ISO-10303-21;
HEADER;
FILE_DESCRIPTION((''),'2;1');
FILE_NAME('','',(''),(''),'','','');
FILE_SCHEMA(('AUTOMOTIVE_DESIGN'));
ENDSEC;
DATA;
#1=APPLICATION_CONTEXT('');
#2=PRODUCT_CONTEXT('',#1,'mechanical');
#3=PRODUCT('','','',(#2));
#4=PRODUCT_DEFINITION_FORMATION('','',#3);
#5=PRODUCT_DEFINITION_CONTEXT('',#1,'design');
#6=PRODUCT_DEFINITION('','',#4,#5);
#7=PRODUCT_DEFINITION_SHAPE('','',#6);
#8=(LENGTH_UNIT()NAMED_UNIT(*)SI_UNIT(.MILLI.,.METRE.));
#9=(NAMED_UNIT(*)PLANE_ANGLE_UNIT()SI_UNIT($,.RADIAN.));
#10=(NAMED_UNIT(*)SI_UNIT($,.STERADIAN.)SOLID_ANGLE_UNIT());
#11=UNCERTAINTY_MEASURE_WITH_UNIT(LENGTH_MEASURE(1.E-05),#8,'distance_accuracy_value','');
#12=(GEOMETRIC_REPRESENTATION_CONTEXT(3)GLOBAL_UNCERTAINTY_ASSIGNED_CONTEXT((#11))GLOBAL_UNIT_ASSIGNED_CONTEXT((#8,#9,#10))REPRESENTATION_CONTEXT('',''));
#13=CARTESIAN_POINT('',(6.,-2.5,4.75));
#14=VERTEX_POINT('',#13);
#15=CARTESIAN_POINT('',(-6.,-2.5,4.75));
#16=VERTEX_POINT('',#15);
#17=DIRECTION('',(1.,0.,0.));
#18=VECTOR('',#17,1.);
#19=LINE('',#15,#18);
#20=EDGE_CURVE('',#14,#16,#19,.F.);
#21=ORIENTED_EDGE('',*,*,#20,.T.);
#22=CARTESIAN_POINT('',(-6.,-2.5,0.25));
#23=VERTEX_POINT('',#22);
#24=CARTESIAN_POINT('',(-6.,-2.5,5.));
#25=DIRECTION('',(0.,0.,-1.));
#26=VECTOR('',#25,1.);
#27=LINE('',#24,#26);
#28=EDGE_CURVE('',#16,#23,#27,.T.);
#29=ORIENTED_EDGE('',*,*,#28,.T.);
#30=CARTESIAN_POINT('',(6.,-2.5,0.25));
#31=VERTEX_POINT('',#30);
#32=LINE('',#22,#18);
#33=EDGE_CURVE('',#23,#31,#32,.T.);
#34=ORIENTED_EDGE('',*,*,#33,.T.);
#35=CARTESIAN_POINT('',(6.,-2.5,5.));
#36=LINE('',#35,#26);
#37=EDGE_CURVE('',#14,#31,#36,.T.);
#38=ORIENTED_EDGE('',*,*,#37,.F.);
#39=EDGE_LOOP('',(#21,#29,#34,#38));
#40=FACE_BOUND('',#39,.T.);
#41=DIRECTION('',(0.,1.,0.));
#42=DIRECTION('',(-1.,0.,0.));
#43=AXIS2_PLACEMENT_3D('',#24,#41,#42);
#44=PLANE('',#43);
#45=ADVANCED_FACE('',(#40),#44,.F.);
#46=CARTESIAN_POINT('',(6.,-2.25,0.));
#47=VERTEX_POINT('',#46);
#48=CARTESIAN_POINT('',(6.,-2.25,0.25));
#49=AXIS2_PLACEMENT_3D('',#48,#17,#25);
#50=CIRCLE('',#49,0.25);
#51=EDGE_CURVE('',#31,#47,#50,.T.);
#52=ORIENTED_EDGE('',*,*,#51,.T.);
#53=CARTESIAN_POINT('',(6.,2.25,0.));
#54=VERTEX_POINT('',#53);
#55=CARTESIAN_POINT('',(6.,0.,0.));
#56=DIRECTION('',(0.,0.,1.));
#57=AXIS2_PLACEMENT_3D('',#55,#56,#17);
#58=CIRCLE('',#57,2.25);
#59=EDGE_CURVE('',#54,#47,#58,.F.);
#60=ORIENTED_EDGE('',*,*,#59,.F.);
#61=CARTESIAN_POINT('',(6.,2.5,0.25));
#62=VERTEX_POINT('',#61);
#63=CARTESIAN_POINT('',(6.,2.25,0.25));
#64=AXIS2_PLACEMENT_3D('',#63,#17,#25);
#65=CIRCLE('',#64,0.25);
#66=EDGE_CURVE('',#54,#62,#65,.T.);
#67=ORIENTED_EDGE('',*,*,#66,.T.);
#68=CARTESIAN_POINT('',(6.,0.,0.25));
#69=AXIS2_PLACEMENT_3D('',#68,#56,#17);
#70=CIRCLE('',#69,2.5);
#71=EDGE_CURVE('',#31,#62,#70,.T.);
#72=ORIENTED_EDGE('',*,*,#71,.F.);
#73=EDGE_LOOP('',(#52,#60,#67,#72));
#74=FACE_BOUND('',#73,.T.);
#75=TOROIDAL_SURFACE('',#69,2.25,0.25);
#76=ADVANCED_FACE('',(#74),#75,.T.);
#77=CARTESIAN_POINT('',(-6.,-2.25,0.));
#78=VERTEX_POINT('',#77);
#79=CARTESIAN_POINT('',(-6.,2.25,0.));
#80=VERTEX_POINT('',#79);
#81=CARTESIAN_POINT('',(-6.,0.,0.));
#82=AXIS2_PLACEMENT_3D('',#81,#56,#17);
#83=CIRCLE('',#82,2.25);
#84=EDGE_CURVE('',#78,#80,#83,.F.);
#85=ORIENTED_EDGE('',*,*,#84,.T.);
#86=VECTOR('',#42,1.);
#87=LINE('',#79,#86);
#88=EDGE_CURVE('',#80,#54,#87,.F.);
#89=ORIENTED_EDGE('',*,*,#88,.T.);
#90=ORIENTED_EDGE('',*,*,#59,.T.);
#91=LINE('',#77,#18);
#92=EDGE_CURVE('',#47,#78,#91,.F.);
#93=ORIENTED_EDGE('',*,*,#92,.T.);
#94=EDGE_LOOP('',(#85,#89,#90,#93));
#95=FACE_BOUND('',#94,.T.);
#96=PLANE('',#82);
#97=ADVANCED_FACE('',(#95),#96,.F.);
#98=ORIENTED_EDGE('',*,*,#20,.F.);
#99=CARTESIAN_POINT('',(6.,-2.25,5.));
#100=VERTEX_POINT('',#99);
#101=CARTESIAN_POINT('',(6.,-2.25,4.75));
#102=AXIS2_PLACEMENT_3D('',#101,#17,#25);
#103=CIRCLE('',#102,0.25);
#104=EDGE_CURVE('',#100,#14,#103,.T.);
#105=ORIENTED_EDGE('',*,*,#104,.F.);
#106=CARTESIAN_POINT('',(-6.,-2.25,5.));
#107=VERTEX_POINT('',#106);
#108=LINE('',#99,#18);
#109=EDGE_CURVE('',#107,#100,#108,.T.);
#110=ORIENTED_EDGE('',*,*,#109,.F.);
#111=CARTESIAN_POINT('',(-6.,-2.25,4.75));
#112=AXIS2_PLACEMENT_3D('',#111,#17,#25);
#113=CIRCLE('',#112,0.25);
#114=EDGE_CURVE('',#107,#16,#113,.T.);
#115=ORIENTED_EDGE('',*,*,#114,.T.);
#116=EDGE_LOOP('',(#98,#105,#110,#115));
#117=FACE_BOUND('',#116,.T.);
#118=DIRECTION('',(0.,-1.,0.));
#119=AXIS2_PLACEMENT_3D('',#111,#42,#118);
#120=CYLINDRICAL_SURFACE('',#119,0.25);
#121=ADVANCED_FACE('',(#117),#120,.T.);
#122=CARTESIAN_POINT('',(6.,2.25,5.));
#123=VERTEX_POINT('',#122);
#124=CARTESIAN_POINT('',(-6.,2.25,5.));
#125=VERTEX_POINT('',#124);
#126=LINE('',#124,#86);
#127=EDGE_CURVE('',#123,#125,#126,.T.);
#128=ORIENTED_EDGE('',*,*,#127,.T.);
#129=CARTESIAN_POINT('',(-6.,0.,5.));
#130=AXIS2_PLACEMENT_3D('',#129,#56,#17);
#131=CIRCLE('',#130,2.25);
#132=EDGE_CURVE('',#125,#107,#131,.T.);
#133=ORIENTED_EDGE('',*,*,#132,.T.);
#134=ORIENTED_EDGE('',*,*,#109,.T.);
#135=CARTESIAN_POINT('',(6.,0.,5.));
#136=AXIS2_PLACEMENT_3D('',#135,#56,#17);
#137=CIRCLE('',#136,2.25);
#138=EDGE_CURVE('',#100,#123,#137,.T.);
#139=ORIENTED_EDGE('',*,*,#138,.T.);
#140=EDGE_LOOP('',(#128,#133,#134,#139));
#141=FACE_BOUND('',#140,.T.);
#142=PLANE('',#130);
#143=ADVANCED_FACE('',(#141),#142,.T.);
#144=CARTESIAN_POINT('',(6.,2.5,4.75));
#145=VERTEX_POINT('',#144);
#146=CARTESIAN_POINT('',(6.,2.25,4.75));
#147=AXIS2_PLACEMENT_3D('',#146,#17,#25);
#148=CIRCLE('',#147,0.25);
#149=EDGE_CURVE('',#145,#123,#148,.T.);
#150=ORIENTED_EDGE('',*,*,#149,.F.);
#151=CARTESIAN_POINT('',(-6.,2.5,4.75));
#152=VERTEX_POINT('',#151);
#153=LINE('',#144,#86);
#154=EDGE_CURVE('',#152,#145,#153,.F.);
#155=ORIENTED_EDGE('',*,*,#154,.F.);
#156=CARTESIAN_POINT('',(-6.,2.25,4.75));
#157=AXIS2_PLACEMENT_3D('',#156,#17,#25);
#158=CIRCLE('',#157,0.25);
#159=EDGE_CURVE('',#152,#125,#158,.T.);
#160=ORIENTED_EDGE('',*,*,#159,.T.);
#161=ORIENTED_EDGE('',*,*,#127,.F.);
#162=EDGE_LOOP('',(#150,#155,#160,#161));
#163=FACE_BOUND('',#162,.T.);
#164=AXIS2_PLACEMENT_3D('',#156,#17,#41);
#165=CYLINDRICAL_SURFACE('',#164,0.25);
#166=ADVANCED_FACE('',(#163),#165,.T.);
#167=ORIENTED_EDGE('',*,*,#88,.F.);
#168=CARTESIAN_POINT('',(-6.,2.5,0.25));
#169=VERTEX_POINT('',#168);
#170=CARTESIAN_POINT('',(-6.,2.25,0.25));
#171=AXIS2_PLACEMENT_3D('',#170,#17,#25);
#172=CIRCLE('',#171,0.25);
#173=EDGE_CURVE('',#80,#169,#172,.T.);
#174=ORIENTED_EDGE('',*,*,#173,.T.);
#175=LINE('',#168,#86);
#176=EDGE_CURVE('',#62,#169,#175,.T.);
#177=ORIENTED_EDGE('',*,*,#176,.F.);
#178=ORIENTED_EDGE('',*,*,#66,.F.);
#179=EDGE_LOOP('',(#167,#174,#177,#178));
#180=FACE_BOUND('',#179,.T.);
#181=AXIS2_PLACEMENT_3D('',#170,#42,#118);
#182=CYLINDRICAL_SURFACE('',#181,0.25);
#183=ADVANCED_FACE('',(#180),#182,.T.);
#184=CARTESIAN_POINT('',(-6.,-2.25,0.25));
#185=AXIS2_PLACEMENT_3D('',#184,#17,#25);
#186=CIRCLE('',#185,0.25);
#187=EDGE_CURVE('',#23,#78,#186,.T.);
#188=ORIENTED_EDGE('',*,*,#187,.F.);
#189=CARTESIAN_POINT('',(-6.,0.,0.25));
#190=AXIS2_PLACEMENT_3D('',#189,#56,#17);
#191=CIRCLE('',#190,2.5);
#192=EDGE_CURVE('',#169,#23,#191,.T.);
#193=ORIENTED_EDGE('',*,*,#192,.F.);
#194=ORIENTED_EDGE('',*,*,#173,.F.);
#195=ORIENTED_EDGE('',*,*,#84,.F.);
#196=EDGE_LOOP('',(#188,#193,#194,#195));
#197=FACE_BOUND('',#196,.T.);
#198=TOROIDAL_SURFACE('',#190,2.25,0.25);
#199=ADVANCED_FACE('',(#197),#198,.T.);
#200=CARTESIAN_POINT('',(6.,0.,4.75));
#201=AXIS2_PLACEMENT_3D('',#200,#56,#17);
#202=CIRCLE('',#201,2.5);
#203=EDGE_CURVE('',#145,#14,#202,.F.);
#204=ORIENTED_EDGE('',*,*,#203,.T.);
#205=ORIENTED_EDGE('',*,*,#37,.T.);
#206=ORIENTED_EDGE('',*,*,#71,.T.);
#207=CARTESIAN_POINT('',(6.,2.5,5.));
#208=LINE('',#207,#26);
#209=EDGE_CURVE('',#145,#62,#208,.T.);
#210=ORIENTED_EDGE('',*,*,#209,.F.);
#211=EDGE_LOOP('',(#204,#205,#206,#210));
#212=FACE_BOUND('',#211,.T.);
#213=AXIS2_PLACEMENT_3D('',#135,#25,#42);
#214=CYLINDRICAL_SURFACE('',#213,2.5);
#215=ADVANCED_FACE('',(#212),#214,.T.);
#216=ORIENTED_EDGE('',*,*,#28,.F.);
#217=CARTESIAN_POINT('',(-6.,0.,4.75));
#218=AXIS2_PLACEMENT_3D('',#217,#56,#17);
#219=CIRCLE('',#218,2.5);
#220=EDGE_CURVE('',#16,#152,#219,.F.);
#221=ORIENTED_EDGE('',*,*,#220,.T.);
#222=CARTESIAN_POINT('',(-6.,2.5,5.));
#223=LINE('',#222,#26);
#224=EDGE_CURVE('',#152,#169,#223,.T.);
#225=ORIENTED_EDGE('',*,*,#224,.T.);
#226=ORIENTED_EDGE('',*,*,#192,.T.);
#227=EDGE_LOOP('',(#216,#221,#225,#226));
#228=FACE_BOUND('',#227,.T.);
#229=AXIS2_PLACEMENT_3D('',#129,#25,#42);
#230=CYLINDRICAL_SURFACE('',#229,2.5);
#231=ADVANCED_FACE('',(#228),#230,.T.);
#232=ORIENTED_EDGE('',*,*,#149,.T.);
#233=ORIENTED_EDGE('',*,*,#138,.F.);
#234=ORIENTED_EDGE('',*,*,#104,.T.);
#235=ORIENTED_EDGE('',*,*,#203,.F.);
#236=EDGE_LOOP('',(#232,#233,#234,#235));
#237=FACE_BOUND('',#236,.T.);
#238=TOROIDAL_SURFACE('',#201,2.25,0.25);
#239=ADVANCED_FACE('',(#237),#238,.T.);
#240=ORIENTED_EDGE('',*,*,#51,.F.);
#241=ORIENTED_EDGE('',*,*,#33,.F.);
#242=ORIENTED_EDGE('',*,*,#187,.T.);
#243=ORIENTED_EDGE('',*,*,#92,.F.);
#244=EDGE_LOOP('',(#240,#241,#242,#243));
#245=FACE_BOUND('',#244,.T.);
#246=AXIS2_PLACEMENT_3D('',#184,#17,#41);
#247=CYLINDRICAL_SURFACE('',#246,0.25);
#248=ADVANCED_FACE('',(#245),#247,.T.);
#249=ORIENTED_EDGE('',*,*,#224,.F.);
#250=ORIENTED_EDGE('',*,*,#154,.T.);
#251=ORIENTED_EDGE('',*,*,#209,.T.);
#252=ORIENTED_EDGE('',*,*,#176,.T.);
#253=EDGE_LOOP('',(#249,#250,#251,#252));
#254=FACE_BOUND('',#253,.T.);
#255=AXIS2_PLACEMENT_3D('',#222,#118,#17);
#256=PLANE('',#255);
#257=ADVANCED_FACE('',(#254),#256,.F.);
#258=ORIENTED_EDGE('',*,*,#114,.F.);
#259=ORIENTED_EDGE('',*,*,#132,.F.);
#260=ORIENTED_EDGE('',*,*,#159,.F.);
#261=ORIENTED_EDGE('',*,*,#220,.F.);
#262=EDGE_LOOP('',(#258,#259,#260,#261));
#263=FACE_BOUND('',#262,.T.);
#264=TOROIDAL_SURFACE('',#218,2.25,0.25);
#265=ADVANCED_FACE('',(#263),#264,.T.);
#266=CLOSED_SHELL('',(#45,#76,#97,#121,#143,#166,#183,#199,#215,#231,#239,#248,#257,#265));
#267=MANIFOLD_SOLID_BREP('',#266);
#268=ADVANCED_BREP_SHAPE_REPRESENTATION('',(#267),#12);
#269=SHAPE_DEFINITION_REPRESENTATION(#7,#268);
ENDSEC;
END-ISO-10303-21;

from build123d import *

# Parameters (mm, degrees)
EXTRUDE_582_DEPTH = 5
FILLET_1_R        = 0.25


with BuildPart() as part:
    # 草图1 → Extrude 582 (new body)
    with BuildSketch(Plane.XY):
        with BuildLine():
            Line((-6, 2.5), (6, 2.5))
            ThreePointArc((6, 2.5), (8.5, 0), (6, -2.5))
            Line((6, -2.5), (-6, -2.5))
            ThreePointArc((-6, -2.5), (-8.5, 0), (-6, 2.5))
        make_face()
    extrude(amount=EXTRUDE_582_DEPTH)

    # 圆角1
    fillet_1_edges = [part.edges().sort_by_distance(p)[0] for p in [
        (8.5, 0, 5),
        (0, 2.5, 5),
        (-8.5, 0, 5),
        (0, 2.5, 0),
        (8.5, 0, 0),
        (0, -2.5, 0),
        (-8.5, 0, 0),
        (0, -2.5, 5),
    ]]
    fillet(fillet_1_edges, radius=FILLET_1_R)


solid = part.part
